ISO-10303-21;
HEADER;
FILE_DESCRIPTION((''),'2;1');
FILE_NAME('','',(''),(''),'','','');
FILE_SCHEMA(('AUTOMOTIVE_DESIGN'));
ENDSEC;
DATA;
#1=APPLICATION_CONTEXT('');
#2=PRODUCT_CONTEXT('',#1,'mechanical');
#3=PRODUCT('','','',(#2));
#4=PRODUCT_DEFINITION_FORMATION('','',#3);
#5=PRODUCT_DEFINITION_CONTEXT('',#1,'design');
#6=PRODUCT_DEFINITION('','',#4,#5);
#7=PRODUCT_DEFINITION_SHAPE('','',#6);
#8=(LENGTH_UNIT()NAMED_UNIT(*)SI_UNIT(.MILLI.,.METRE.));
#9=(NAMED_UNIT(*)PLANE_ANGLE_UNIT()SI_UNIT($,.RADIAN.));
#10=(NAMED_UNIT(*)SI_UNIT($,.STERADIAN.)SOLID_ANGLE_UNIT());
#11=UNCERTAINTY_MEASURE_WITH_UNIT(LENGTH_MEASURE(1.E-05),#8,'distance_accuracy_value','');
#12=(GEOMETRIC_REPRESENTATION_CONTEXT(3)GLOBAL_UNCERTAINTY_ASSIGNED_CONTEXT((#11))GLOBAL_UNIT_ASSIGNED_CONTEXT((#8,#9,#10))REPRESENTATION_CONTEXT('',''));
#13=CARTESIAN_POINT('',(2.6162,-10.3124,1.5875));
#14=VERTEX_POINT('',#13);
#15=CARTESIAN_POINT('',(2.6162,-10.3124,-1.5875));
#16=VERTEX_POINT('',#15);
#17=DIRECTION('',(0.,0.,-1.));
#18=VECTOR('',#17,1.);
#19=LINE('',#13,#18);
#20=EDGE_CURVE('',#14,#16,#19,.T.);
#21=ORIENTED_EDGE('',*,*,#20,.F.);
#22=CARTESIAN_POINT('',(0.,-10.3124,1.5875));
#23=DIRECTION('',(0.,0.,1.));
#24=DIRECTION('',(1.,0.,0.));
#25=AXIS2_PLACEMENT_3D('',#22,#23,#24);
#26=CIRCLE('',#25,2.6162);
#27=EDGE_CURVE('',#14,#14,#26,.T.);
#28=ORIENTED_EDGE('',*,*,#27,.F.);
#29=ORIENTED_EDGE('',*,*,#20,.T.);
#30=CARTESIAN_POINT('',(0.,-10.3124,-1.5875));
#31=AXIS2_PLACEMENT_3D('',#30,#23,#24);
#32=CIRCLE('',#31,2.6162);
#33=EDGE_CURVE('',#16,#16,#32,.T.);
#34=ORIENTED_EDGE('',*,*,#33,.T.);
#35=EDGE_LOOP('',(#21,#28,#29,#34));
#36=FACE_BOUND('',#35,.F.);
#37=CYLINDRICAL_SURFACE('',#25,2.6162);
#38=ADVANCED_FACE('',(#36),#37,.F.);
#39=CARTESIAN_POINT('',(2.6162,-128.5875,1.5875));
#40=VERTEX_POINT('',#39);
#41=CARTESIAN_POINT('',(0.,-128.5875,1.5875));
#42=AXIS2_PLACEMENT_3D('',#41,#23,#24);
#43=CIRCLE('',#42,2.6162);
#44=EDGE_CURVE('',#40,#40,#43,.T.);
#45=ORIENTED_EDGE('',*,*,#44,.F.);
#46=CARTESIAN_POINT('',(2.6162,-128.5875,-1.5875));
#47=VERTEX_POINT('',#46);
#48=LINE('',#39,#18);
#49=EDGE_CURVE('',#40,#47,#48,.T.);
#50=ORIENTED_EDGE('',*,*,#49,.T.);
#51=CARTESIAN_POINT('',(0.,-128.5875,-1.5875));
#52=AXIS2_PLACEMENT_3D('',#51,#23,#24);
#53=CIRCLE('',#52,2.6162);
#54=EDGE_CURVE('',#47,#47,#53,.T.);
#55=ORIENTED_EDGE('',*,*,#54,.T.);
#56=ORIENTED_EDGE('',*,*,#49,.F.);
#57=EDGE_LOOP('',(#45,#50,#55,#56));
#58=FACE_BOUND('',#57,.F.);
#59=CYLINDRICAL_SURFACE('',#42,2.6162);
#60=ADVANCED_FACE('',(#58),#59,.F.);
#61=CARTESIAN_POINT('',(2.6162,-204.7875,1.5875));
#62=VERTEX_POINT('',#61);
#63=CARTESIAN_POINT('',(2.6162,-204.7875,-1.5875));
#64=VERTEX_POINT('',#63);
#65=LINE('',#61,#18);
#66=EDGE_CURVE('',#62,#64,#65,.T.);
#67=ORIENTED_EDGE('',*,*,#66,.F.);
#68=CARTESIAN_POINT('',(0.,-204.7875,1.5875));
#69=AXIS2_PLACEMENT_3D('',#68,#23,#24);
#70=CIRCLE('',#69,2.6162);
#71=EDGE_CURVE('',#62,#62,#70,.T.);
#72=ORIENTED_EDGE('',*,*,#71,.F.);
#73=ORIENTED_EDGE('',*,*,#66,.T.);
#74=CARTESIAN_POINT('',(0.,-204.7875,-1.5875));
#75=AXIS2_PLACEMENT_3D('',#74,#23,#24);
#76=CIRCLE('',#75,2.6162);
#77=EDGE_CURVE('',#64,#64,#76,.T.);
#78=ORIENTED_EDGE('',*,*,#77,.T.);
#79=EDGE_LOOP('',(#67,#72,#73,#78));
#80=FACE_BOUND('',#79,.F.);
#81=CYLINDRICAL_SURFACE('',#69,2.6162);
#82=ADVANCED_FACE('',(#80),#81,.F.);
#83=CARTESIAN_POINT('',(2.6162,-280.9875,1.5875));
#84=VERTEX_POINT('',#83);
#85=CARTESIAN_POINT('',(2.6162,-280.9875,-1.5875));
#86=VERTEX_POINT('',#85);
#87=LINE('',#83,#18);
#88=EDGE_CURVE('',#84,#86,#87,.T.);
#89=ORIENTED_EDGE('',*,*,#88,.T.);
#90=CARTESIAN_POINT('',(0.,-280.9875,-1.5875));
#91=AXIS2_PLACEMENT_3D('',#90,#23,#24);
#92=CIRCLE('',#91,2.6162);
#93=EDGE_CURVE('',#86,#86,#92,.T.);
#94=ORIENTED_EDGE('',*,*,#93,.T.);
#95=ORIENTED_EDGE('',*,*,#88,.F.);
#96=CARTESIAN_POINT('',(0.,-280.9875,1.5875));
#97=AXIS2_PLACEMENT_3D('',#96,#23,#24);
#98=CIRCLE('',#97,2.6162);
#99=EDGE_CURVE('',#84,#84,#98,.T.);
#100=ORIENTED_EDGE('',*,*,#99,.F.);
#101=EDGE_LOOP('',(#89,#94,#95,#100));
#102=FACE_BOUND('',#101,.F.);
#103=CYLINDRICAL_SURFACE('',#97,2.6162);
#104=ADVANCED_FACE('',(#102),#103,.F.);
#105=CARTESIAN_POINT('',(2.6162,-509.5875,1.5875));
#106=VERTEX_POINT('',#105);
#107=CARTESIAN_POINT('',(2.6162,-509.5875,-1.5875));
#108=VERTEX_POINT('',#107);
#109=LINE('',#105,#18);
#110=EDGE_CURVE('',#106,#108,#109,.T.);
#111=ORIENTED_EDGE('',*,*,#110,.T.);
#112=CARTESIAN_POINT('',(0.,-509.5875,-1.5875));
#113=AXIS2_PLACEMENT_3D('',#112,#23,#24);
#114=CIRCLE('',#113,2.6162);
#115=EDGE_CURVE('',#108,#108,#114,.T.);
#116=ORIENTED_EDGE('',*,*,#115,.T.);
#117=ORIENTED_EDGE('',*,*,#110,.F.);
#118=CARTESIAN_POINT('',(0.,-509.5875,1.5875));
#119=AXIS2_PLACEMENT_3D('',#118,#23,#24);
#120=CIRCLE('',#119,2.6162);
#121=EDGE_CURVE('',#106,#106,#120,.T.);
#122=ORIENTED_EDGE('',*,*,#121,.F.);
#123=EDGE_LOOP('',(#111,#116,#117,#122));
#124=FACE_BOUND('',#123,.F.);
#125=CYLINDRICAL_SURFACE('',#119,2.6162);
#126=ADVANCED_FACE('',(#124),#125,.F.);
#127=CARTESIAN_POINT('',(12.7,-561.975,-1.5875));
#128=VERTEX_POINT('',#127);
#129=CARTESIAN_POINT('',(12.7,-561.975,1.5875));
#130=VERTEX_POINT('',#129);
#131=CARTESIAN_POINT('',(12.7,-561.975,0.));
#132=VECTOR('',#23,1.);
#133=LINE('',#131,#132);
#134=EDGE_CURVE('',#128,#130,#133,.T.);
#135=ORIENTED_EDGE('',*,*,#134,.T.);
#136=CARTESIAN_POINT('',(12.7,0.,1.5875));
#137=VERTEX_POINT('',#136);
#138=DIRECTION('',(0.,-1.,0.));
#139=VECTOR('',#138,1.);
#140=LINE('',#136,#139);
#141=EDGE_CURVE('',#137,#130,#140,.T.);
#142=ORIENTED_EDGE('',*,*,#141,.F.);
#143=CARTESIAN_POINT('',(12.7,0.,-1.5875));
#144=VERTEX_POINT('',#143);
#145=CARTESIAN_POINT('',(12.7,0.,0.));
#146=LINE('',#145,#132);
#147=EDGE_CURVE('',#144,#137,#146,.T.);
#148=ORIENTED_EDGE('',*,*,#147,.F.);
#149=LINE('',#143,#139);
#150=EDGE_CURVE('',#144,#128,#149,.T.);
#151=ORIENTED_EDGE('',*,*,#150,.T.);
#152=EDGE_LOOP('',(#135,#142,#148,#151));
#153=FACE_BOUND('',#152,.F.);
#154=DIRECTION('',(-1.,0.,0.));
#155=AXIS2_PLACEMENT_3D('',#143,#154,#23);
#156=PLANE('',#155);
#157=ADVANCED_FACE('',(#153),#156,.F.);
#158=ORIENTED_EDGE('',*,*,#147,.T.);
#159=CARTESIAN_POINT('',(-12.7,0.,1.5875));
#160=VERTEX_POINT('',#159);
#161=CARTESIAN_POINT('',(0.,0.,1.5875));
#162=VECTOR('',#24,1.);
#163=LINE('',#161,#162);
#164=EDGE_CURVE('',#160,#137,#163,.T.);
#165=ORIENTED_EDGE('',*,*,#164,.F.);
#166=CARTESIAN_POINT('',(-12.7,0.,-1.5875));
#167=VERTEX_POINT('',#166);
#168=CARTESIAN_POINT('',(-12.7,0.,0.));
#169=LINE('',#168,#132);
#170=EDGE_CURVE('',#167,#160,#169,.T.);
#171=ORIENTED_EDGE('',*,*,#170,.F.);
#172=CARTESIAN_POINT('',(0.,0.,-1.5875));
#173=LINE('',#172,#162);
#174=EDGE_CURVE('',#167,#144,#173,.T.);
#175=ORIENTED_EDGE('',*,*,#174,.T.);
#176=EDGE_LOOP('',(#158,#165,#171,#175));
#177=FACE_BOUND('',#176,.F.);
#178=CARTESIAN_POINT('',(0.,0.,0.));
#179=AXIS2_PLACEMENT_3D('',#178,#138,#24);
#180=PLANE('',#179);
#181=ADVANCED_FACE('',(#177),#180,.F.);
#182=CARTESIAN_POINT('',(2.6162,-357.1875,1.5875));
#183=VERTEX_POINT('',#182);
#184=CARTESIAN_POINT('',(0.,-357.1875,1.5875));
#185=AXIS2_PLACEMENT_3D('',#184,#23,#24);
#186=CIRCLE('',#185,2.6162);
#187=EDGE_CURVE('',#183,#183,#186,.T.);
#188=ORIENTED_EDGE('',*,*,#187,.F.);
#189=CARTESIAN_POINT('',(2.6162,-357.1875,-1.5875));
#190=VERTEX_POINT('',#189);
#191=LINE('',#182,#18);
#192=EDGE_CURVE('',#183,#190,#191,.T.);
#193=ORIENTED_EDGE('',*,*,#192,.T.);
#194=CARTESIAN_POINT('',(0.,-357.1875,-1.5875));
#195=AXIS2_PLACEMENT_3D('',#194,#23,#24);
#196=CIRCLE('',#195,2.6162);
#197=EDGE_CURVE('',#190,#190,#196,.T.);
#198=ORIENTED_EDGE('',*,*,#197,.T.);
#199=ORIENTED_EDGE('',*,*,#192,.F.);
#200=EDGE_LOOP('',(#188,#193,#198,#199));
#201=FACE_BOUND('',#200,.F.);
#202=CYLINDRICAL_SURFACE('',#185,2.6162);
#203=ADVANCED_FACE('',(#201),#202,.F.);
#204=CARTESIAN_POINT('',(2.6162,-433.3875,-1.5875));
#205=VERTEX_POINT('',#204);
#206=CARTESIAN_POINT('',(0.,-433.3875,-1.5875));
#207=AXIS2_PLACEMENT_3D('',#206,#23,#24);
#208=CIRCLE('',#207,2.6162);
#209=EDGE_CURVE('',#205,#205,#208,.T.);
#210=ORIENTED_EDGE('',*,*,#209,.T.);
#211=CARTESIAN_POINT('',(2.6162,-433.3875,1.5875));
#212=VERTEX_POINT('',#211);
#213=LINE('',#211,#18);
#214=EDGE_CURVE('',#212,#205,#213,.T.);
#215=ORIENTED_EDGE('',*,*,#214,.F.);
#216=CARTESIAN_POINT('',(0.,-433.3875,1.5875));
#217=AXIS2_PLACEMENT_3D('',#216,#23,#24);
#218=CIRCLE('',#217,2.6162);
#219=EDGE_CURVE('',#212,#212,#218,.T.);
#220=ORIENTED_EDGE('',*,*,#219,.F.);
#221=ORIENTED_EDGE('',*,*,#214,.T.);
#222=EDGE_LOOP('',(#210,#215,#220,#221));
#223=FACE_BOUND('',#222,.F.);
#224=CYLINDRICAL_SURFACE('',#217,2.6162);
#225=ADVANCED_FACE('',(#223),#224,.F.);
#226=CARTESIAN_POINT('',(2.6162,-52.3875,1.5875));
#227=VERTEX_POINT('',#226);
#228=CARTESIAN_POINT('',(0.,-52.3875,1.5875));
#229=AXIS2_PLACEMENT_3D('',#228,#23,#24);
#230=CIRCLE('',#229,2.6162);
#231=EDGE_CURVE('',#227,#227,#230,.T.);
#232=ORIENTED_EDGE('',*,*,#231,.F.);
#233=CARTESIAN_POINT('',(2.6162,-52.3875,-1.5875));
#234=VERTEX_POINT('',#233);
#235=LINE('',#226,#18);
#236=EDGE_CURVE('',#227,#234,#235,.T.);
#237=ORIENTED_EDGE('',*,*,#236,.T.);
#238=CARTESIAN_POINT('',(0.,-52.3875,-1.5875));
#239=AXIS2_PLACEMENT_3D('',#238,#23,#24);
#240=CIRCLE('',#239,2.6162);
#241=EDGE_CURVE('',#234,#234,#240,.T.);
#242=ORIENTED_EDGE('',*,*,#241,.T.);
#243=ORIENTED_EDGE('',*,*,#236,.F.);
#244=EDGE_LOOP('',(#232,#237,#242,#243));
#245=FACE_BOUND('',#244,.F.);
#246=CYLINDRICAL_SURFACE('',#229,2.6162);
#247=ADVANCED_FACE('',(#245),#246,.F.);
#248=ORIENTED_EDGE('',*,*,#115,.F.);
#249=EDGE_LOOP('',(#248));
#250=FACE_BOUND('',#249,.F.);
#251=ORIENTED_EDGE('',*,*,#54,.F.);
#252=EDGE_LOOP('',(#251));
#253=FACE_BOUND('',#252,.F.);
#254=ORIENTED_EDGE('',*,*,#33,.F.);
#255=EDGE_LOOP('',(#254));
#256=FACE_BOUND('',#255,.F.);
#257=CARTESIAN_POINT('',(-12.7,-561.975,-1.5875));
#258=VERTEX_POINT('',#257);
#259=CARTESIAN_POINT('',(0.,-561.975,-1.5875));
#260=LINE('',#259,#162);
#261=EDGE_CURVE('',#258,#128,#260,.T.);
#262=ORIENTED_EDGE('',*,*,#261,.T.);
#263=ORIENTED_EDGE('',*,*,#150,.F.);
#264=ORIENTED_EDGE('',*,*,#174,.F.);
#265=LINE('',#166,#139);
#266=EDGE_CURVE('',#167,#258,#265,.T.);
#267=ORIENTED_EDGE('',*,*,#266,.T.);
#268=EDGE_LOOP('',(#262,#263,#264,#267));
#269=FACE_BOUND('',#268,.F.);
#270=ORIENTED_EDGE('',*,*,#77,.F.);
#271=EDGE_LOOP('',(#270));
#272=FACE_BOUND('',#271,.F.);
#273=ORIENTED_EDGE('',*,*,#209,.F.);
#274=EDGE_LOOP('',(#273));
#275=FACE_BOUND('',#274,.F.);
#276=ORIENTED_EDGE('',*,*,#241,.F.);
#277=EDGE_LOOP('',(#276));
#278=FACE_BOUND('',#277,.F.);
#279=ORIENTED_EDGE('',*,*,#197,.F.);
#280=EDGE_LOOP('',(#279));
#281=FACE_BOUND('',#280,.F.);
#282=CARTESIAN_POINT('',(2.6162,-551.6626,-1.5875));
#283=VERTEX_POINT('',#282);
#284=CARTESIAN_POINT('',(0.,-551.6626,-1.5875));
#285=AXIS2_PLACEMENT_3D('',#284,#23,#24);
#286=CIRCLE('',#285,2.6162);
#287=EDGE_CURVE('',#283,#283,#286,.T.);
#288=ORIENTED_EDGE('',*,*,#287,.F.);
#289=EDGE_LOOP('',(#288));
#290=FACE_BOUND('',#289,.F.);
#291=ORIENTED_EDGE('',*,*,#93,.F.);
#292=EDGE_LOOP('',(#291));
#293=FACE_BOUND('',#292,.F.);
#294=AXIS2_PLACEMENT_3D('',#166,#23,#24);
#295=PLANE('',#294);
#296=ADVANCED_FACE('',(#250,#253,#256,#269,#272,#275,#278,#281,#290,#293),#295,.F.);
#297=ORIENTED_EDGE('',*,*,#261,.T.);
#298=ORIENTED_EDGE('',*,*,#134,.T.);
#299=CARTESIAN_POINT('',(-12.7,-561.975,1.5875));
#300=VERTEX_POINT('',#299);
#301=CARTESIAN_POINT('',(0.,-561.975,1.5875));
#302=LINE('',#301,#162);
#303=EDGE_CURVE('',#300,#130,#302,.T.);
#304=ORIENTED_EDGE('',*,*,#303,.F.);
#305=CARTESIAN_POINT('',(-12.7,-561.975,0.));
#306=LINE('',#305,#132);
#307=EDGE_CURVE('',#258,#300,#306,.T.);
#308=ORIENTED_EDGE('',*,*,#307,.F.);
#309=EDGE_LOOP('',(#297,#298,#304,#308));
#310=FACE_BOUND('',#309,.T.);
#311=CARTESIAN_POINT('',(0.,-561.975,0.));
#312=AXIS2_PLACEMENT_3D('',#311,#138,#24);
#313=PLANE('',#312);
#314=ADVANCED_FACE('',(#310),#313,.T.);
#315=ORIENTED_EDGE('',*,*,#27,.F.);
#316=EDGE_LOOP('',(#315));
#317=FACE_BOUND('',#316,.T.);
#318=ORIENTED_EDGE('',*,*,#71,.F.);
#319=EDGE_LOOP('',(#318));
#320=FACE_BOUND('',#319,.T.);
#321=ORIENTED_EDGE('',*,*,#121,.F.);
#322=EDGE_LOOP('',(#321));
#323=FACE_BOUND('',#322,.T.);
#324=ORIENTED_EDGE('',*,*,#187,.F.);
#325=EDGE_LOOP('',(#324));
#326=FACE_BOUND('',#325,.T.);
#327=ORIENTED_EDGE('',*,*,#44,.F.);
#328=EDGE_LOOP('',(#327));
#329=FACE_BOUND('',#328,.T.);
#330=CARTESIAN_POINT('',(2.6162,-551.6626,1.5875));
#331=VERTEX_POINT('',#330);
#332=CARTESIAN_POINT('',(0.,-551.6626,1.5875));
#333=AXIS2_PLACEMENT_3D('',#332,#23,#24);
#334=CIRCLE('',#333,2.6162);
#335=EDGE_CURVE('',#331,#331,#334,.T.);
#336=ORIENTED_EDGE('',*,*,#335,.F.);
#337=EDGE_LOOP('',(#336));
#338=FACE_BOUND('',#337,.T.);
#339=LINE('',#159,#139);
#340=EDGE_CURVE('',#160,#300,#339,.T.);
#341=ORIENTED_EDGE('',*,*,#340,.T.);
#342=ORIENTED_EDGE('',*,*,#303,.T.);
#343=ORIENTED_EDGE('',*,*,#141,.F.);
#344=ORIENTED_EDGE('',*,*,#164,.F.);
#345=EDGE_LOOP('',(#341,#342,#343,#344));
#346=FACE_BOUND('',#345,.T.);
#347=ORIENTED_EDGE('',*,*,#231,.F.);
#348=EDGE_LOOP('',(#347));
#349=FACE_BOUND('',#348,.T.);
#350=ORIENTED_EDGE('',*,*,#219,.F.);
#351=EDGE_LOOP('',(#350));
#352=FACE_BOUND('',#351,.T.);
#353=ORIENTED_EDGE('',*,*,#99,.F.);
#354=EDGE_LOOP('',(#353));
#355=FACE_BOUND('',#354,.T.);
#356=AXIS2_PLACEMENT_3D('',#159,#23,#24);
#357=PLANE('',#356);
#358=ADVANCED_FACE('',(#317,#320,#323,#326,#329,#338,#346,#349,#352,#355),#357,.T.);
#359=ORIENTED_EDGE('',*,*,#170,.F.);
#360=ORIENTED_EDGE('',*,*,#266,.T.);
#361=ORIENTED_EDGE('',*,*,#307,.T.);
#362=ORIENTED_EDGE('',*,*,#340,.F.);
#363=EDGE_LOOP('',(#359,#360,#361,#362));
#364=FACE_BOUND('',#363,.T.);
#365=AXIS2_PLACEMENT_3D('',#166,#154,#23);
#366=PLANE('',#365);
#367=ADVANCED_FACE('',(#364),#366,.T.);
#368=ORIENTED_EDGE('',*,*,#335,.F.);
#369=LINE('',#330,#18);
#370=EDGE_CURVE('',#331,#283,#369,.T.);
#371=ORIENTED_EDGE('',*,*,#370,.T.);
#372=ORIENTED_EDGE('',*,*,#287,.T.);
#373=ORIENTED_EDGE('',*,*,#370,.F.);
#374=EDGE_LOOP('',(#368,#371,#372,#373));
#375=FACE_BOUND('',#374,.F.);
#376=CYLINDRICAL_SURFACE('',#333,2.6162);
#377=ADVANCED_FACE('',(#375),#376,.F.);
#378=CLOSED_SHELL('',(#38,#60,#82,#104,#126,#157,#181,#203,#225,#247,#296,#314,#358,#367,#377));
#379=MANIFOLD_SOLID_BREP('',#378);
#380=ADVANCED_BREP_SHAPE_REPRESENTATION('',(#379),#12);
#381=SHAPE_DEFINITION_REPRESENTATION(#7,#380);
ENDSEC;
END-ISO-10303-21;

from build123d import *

# Parameters (mm, degrees)
F0_W     = 25.4
F0_H     = 3.175
F1_DEPTH = 561.975
F2_R     = 2.6162
F3_DEPTH = 3.176


with BuildPart() as f1:
    # F0 (on Front) → F1 (new body)
    with BuildSketch(Plane.XZ):
        Rectangle(F0_W, F0_H)
    extrude(amount=F1_DEPTH)

    # F2 (on face) → F3 (cut, through all)
    with BuildSketch(Plane.XY.offset(1.5875)):
        with Locations((0, -551.6626)):
            Circle(F2_R)
        with Locations((0, -509.5875)):
            Circle(F2_R)
        with Locations((0, -433.3875)):
            Circle(F2_R)
        with Locations((0, -357.1875)):
            Circle(F2_R)
        with Locations((0, -280.9875)):
            Circle(F2_R)
        with Locations((0, -204.7875)):
            Circle(F2_R)
        with Locations((0, -128.5875)):
            Circle(F2_R)
        with Locations((0, -52.3875)):
            Circle(F2_R)
        with Locations((0, -10.3124)):
            Circle(F2_R)
    extrude(amount=-F3_DEPTH, mode=Mode.SUBTRACT)


solid = f1.part
